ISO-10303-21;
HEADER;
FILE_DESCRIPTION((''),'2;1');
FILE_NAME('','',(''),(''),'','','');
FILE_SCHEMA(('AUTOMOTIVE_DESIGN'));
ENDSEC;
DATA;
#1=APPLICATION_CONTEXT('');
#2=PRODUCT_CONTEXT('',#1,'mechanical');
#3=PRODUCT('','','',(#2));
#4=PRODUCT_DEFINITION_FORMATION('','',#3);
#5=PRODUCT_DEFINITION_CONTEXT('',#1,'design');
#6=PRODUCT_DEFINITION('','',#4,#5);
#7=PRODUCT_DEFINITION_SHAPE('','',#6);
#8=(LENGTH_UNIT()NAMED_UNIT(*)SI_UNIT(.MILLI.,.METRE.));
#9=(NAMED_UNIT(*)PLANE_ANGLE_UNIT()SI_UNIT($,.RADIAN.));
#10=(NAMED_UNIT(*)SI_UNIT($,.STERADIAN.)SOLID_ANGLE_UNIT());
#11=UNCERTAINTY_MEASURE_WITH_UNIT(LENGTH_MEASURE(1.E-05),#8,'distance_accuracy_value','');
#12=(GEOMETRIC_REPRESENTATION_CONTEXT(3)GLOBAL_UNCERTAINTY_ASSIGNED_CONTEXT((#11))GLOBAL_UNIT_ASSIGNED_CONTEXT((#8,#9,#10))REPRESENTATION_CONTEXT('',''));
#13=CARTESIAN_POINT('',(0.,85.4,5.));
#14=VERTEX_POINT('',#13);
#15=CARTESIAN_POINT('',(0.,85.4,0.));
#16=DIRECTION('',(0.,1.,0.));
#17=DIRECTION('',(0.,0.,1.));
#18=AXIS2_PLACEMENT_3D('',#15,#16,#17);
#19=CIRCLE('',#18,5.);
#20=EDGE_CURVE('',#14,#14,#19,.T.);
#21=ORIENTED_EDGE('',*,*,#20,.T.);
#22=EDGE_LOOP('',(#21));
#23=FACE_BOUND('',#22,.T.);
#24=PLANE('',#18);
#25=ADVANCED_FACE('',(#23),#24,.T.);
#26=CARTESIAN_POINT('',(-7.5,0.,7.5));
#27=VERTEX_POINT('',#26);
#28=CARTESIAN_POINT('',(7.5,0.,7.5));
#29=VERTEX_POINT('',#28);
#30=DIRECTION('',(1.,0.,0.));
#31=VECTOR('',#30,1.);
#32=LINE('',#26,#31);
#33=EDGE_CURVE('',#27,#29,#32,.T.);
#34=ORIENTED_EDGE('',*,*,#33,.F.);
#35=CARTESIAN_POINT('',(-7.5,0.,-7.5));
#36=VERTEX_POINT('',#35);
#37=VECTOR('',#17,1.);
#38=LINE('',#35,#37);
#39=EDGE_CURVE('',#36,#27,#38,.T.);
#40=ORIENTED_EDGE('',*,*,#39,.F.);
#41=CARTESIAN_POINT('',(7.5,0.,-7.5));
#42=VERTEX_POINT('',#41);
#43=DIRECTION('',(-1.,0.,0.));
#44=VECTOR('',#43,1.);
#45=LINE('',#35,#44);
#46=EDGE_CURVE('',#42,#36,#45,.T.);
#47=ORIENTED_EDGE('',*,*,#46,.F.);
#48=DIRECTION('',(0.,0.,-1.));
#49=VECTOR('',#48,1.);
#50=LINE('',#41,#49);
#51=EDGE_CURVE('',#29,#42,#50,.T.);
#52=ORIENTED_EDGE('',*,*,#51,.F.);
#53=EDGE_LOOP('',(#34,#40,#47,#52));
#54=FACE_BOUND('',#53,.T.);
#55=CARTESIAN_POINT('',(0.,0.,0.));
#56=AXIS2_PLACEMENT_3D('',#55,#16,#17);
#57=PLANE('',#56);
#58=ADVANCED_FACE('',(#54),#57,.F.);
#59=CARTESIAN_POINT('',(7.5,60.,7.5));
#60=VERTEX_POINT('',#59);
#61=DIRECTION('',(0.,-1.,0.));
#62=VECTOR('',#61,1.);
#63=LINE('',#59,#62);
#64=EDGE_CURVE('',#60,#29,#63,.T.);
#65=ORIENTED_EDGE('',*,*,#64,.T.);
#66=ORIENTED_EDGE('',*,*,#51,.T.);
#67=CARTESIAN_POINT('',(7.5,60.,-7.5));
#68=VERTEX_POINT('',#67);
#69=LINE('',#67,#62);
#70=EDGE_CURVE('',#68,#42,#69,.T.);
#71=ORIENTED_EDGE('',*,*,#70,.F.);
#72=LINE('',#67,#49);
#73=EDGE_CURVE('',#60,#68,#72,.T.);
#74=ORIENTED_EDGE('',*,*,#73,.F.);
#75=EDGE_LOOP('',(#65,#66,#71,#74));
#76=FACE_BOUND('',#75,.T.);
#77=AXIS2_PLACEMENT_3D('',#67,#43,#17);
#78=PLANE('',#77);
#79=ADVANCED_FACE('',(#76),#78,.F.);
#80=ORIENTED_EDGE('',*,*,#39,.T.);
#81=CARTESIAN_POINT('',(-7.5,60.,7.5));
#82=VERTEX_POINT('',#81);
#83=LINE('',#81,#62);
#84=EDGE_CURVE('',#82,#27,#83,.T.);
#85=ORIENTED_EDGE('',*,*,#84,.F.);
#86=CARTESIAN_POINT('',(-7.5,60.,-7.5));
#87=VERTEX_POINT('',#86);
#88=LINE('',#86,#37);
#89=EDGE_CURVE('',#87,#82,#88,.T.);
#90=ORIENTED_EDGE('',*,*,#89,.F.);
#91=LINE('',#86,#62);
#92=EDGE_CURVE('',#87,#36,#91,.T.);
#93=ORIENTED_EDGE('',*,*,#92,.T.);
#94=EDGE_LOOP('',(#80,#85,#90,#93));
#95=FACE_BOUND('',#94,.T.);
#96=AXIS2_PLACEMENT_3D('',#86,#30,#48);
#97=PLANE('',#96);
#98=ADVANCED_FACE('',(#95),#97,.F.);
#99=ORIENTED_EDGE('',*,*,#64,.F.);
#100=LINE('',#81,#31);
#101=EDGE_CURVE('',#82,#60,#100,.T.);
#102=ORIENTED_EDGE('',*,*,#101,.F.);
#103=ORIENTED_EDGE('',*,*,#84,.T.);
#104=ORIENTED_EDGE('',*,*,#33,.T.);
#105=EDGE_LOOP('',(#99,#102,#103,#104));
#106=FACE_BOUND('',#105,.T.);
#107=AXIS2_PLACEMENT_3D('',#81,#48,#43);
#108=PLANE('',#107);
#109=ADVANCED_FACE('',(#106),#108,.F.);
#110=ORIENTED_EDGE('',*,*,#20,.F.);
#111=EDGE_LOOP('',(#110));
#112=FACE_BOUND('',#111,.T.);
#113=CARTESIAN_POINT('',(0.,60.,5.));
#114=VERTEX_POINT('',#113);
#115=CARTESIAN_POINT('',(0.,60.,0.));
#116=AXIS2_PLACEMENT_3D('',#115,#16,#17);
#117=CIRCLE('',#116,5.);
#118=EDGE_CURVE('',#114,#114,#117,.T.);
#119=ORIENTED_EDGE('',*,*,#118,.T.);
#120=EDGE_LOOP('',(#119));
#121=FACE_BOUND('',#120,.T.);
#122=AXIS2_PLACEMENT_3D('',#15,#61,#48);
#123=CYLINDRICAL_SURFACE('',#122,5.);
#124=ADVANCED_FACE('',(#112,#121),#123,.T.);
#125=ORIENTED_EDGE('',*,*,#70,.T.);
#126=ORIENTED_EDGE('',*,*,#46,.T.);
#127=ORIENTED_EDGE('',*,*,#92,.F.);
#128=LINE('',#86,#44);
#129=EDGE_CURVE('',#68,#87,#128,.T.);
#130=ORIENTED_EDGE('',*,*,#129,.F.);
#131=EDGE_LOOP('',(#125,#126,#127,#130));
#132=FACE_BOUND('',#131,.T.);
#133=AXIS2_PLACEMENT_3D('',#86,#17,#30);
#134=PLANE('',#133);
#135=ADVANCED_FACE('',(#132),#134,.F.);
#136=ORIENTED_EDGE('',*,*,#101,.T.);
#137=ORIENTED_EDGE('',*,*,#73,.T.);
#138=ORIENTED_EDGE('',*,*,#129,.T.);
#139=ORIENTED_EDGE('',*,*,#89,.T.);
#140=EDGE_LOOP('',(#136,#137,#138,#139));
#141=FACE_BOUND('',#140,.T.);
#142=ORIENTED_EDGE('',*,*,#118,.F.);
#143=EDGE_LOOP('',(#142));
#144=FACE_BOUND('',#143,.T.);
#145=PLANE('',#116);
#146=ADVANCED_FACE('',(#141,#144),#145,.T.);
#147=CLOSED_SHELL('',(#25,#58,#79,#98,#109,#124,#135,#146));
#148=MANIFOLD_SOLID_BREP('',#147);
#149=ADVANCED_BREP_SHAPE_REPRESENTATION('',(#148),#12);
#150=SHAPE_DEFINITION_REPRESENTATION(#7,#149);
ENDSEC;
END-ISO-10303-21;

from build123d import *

# Parameters (mm, degrees)
SKETCH1_W           = 15
SKETCH1_H           = 15
BOSS_EXTRUDE1_DEPTH = 60
SKETCH2_R           = 5
BOSS_EXTRUDE2_DEPTH = 25.4


with BuildPart() as part:
    # Sketch1 → Boss-Extrude1 (new body)
    with BuildSketch(Plane(origin=(0, 0, 0), x_dir=(1, 0, 0), z_dir=(0, 1, 0))):
        Rectangle(SKETCH1_W, SKETCH1_H)
    extrude(amount=BOSS_EXTRUDE1_DEPTH)

    # Sketch2 → Boss-Extrude2 (add)
    with BuildSketch(Plane(origin=(0, 60, 0), x_dir=(1, 0, 0), z_dir=(0, 1, 0))):
        with Locations(Location((0, 0, 0), (0, 0, 270))):
            Circle(SKETCH2_R)
    extrude(amount=BOSS_EXTRUDE2_DEPTH)


solid = part.part
